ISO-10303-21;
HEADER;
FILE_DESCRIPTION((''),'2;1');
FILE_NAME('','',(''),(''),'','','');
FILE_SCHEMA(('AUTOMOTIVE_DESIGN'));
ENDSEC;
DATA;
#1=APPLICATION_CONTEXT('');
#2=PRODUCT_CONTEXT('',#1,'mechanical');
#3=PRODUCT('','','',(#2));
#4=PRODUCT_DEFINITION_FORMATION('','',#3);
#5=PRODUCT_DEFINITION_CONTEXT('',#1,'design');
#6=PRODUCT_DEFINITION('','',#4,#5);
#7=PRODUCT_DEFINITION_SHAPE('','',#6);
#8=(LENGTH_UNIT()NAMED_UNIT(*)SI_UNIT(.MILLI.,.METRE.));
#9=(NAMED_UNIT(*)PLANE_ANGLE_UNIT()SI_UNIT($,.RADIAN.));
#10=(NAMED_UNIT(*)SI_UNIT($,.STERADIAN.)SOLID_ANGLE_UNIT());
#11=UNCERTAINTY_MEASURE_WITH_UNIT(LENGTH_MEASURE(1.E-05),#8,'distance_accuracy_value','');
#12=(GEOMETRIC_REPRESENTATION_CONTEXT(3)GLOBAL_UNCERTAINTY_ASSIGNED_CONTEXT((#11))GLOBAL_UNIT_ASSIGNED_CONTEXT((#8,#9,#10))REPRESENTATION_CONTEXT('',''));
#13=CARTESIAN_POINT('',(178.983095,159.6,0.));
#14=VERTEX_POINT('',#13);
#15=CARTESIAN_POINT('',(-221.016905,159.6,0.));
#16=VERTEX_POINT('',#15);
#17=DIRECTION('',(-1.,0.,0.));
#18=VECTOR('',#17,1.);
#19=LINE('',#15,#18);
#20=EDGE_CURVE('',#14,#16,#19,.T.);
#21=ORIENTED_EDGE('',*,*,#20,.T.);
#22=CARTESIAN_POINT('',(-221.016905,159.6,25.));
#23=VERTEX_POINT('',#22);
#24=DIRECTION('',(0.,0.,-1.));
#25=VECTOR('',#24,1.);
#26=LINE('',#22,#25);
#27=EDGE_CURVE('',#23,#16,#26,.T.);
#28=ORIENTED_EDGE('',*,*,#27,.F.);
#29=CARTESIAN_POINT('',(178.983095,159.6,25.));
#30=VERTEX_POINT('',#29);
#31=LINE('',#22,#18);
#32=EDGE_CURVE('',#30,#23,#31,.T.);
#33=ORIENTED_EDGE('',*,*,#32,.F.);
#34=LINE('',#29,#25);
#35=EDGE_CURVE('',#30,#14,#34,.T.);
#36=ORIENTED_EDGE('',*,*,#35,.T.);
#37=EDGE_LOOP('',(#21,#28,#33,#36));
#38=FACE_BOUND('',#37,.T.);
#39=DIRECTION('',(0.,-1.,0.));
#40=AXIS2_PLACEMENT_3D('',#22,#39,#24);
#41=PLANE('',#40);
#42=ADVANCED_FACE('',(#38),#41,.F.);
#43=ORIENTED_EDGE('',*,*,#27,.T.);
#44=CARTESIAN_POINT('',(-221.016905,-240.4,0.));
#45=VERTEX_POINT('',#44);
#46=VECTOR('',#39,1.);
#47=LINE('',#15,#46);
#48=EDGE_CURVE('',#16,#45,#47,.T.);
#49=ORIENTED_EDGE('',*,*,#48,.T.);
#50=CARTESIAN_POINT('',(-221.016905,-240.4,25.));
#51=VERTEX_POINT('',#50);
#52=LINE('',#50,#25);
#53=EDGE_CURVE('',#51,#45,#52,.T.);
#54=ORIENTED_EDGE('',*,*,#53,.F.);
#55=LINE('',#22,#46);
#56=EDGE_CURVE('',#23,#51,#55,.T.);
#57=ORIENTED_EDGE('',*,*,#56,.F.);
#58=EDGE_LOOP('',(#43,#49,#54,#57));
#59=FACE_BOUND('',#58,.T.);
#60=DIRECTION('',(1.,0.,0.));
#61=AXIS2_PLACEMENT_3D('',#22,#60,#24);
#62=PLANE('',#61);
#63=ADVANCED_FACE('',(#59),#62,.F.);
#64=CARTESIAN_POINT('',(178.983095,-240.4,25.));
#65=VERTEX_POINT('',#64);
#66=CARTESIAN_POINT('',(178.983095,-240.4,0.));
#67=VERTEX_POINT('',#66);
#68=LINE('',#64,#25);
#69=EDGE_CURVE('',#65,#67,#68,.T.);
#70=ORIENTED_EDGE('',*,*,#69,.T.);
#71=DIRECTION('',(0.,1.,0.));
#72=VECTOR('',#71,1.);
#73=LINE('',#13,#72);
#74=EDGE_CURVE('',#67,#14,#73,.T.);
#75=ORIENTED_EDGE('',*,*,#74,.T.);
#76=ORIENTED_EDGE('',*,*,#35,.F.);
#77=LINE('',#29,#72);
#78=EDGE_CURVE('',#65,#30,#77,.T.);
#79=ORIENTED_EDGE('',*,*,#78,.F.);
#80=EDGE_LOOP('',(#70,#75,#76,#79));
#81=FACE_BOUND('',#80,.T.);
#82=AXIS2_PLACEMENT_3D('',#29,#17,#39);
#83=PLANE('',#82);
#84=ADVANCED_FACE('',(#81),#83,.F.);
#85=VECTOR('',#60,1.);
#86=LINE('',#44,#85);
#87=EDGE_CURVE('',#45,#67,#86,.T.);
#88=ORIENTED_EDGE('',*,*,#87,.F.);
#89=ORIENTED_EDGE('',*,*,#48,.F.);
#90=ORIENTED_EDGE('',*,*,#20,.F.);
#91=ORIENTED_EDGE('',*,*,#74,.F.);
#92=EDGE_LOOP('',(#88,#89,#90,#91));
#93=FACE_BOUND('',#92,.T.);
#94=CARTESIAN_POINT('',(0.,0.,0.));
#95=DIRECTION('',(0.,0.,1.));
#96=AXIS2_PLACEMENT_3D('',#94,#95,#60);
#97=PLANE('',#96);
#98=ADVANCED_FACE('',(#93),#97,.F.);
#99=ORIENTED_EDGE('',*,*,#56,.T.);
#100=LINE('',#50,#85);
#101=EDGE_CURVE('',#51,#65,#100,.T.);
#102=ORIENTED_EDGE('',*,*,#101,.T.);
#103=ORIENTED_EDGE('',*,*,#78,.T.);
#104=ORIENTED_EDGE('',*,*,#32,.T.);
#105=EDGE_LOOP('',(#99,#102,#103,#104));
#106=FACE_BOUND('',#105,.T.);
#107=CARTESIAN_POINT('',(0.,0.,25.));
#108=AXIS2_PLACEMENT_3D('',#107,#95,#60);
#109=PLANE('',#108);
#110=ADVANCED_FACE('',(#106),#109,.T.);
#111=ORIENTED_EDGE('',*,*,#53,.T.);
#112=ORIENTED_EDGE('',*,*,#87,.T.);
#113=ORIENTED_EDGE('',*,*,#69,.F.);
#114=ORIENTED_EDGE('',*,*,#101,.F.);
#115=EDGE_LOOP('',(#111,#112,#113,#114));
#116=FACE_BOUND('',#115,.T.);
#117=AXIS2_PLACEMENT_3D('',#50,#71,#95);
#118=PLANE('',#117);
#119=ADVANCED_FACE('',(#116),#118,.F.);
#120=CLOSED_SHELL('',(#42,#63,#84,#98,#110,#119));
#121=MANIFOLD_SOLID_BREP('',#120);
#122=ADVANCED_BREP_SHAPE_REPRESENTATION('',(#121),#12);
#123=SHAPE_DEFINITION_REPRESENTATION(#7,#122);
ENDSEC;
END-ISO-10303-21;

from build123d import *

# Parameters (mm, degrees)
ESBO_O1_W                = 400
ESBO_O1_H                = 400
RESSALTO_EXTRUS_O1_DEPTH = 25
ESBO_O2_W                = 50
ESBO_O2_H                = 50
RESSALTO_EXTRUS_O3_DEPTH = 30
ESBO_O3_W                = 400
ESBO_O3_H                = 5
CORTE_EXTRUS_O1_DEPTH    = 458.682719878


with BuildPart() as part:
    # Esboço1 → Ressalto-extrusão1 (new body)
    with BuildSketch(Plane.XY):
        with Locations((-21.016904501, -40.4)):
            Rectangle(ESBO_O1_W, ESBO_O1_H)
    extrude(amount=RESSALTO_EXTRUS_O1_DEPTH)

    # Esboço2 → Ressalto-extrusão3 (add)
    with BuildSketch(Plane.XY.offset(25)):
        with Locations((-196.016904501, 134.6)):
            Rectangle(ESBO_O2_W, ESBO_O2_H)
        with Locations((-96.016904501, 34.6)):
            Rectangle(ESBO_O2_W, ESBO_O2_H)
        with Locations((3.983095499, -65.4)):
            Rectangle(ESBO_O2_W, ESBO_O2_H)
        with Locations((104.55184435, -165.4)):
            Rectangle(ESBO_O2_W, ESBO_O2_H)
        with Locations((-196.016904501, -165.4)):
            Rectangle(ESBO_O2_W, ESBO_O2_H)
        with Locations((-196.016904501, -65.4)):
            Rectangle(ESBO_O2_W, ESBO_O2_H)
        with Locations((-96.016904501, -215.4)):
            Rectangle(ESBO_O2_W, ESBO_O2_H)
        with Locations((3.983095499, -215.4)):
            Rectangle(ESBO_O2_W, ESBO_O2_H)
        with Locations((-97.204301074, 134.6)):
            Rectangle(ESBO_O2_W, ESBO_O2_H)
        with Locations((4.217571053, 134.6)):
            Rectangle(ESBO_O2_W, ESBO_O2_H)
        with Locations((-96.016904501, -65.4)):
            Rectangle(ESBO_O2_W, ESBO_O2_H)
        with Locations((153.983095499, 34.6)):
            Rectangle(ESBO_O2_W, ESBO_O2_H)
        with Locations((153.983095499, -65.4)):
            Rectangle(ESBO_O2_W, ESBO_O2_H)
        with Locations((53.983095499, 34.6)):
            Rectangle(ESBO_O2_W, ESBO_O2_H)
        with Locations((-196.016904501, 34.6)):
            Rectangle(ESBO_O2_W, ESBO_O2_H)
        with Locations((103.983095499, 134.6)):
            Rectangle(ESBO_O2_W, ESBO_O2_H)
    extrude(amount=-RESSALTO_EXTRUS_O3_DEPTH)

    # Esboço3 → Corte-extrusão1 (cut, through all)
    with BuildSketch(Plane(origin=(0, 159.6, 0), x_dir=(1, 0, 0), z_dir=(0, 1, 0))):
        with Locations((-21.016904501, 2.5)):
            Rectangle(ESBO_O3_W, ESBO_O3_H)
    extrude(amount=-CORTE_EXTRUS_O1_DEPTH, mode=Mode.SUBTRACT)


solid = part.part
